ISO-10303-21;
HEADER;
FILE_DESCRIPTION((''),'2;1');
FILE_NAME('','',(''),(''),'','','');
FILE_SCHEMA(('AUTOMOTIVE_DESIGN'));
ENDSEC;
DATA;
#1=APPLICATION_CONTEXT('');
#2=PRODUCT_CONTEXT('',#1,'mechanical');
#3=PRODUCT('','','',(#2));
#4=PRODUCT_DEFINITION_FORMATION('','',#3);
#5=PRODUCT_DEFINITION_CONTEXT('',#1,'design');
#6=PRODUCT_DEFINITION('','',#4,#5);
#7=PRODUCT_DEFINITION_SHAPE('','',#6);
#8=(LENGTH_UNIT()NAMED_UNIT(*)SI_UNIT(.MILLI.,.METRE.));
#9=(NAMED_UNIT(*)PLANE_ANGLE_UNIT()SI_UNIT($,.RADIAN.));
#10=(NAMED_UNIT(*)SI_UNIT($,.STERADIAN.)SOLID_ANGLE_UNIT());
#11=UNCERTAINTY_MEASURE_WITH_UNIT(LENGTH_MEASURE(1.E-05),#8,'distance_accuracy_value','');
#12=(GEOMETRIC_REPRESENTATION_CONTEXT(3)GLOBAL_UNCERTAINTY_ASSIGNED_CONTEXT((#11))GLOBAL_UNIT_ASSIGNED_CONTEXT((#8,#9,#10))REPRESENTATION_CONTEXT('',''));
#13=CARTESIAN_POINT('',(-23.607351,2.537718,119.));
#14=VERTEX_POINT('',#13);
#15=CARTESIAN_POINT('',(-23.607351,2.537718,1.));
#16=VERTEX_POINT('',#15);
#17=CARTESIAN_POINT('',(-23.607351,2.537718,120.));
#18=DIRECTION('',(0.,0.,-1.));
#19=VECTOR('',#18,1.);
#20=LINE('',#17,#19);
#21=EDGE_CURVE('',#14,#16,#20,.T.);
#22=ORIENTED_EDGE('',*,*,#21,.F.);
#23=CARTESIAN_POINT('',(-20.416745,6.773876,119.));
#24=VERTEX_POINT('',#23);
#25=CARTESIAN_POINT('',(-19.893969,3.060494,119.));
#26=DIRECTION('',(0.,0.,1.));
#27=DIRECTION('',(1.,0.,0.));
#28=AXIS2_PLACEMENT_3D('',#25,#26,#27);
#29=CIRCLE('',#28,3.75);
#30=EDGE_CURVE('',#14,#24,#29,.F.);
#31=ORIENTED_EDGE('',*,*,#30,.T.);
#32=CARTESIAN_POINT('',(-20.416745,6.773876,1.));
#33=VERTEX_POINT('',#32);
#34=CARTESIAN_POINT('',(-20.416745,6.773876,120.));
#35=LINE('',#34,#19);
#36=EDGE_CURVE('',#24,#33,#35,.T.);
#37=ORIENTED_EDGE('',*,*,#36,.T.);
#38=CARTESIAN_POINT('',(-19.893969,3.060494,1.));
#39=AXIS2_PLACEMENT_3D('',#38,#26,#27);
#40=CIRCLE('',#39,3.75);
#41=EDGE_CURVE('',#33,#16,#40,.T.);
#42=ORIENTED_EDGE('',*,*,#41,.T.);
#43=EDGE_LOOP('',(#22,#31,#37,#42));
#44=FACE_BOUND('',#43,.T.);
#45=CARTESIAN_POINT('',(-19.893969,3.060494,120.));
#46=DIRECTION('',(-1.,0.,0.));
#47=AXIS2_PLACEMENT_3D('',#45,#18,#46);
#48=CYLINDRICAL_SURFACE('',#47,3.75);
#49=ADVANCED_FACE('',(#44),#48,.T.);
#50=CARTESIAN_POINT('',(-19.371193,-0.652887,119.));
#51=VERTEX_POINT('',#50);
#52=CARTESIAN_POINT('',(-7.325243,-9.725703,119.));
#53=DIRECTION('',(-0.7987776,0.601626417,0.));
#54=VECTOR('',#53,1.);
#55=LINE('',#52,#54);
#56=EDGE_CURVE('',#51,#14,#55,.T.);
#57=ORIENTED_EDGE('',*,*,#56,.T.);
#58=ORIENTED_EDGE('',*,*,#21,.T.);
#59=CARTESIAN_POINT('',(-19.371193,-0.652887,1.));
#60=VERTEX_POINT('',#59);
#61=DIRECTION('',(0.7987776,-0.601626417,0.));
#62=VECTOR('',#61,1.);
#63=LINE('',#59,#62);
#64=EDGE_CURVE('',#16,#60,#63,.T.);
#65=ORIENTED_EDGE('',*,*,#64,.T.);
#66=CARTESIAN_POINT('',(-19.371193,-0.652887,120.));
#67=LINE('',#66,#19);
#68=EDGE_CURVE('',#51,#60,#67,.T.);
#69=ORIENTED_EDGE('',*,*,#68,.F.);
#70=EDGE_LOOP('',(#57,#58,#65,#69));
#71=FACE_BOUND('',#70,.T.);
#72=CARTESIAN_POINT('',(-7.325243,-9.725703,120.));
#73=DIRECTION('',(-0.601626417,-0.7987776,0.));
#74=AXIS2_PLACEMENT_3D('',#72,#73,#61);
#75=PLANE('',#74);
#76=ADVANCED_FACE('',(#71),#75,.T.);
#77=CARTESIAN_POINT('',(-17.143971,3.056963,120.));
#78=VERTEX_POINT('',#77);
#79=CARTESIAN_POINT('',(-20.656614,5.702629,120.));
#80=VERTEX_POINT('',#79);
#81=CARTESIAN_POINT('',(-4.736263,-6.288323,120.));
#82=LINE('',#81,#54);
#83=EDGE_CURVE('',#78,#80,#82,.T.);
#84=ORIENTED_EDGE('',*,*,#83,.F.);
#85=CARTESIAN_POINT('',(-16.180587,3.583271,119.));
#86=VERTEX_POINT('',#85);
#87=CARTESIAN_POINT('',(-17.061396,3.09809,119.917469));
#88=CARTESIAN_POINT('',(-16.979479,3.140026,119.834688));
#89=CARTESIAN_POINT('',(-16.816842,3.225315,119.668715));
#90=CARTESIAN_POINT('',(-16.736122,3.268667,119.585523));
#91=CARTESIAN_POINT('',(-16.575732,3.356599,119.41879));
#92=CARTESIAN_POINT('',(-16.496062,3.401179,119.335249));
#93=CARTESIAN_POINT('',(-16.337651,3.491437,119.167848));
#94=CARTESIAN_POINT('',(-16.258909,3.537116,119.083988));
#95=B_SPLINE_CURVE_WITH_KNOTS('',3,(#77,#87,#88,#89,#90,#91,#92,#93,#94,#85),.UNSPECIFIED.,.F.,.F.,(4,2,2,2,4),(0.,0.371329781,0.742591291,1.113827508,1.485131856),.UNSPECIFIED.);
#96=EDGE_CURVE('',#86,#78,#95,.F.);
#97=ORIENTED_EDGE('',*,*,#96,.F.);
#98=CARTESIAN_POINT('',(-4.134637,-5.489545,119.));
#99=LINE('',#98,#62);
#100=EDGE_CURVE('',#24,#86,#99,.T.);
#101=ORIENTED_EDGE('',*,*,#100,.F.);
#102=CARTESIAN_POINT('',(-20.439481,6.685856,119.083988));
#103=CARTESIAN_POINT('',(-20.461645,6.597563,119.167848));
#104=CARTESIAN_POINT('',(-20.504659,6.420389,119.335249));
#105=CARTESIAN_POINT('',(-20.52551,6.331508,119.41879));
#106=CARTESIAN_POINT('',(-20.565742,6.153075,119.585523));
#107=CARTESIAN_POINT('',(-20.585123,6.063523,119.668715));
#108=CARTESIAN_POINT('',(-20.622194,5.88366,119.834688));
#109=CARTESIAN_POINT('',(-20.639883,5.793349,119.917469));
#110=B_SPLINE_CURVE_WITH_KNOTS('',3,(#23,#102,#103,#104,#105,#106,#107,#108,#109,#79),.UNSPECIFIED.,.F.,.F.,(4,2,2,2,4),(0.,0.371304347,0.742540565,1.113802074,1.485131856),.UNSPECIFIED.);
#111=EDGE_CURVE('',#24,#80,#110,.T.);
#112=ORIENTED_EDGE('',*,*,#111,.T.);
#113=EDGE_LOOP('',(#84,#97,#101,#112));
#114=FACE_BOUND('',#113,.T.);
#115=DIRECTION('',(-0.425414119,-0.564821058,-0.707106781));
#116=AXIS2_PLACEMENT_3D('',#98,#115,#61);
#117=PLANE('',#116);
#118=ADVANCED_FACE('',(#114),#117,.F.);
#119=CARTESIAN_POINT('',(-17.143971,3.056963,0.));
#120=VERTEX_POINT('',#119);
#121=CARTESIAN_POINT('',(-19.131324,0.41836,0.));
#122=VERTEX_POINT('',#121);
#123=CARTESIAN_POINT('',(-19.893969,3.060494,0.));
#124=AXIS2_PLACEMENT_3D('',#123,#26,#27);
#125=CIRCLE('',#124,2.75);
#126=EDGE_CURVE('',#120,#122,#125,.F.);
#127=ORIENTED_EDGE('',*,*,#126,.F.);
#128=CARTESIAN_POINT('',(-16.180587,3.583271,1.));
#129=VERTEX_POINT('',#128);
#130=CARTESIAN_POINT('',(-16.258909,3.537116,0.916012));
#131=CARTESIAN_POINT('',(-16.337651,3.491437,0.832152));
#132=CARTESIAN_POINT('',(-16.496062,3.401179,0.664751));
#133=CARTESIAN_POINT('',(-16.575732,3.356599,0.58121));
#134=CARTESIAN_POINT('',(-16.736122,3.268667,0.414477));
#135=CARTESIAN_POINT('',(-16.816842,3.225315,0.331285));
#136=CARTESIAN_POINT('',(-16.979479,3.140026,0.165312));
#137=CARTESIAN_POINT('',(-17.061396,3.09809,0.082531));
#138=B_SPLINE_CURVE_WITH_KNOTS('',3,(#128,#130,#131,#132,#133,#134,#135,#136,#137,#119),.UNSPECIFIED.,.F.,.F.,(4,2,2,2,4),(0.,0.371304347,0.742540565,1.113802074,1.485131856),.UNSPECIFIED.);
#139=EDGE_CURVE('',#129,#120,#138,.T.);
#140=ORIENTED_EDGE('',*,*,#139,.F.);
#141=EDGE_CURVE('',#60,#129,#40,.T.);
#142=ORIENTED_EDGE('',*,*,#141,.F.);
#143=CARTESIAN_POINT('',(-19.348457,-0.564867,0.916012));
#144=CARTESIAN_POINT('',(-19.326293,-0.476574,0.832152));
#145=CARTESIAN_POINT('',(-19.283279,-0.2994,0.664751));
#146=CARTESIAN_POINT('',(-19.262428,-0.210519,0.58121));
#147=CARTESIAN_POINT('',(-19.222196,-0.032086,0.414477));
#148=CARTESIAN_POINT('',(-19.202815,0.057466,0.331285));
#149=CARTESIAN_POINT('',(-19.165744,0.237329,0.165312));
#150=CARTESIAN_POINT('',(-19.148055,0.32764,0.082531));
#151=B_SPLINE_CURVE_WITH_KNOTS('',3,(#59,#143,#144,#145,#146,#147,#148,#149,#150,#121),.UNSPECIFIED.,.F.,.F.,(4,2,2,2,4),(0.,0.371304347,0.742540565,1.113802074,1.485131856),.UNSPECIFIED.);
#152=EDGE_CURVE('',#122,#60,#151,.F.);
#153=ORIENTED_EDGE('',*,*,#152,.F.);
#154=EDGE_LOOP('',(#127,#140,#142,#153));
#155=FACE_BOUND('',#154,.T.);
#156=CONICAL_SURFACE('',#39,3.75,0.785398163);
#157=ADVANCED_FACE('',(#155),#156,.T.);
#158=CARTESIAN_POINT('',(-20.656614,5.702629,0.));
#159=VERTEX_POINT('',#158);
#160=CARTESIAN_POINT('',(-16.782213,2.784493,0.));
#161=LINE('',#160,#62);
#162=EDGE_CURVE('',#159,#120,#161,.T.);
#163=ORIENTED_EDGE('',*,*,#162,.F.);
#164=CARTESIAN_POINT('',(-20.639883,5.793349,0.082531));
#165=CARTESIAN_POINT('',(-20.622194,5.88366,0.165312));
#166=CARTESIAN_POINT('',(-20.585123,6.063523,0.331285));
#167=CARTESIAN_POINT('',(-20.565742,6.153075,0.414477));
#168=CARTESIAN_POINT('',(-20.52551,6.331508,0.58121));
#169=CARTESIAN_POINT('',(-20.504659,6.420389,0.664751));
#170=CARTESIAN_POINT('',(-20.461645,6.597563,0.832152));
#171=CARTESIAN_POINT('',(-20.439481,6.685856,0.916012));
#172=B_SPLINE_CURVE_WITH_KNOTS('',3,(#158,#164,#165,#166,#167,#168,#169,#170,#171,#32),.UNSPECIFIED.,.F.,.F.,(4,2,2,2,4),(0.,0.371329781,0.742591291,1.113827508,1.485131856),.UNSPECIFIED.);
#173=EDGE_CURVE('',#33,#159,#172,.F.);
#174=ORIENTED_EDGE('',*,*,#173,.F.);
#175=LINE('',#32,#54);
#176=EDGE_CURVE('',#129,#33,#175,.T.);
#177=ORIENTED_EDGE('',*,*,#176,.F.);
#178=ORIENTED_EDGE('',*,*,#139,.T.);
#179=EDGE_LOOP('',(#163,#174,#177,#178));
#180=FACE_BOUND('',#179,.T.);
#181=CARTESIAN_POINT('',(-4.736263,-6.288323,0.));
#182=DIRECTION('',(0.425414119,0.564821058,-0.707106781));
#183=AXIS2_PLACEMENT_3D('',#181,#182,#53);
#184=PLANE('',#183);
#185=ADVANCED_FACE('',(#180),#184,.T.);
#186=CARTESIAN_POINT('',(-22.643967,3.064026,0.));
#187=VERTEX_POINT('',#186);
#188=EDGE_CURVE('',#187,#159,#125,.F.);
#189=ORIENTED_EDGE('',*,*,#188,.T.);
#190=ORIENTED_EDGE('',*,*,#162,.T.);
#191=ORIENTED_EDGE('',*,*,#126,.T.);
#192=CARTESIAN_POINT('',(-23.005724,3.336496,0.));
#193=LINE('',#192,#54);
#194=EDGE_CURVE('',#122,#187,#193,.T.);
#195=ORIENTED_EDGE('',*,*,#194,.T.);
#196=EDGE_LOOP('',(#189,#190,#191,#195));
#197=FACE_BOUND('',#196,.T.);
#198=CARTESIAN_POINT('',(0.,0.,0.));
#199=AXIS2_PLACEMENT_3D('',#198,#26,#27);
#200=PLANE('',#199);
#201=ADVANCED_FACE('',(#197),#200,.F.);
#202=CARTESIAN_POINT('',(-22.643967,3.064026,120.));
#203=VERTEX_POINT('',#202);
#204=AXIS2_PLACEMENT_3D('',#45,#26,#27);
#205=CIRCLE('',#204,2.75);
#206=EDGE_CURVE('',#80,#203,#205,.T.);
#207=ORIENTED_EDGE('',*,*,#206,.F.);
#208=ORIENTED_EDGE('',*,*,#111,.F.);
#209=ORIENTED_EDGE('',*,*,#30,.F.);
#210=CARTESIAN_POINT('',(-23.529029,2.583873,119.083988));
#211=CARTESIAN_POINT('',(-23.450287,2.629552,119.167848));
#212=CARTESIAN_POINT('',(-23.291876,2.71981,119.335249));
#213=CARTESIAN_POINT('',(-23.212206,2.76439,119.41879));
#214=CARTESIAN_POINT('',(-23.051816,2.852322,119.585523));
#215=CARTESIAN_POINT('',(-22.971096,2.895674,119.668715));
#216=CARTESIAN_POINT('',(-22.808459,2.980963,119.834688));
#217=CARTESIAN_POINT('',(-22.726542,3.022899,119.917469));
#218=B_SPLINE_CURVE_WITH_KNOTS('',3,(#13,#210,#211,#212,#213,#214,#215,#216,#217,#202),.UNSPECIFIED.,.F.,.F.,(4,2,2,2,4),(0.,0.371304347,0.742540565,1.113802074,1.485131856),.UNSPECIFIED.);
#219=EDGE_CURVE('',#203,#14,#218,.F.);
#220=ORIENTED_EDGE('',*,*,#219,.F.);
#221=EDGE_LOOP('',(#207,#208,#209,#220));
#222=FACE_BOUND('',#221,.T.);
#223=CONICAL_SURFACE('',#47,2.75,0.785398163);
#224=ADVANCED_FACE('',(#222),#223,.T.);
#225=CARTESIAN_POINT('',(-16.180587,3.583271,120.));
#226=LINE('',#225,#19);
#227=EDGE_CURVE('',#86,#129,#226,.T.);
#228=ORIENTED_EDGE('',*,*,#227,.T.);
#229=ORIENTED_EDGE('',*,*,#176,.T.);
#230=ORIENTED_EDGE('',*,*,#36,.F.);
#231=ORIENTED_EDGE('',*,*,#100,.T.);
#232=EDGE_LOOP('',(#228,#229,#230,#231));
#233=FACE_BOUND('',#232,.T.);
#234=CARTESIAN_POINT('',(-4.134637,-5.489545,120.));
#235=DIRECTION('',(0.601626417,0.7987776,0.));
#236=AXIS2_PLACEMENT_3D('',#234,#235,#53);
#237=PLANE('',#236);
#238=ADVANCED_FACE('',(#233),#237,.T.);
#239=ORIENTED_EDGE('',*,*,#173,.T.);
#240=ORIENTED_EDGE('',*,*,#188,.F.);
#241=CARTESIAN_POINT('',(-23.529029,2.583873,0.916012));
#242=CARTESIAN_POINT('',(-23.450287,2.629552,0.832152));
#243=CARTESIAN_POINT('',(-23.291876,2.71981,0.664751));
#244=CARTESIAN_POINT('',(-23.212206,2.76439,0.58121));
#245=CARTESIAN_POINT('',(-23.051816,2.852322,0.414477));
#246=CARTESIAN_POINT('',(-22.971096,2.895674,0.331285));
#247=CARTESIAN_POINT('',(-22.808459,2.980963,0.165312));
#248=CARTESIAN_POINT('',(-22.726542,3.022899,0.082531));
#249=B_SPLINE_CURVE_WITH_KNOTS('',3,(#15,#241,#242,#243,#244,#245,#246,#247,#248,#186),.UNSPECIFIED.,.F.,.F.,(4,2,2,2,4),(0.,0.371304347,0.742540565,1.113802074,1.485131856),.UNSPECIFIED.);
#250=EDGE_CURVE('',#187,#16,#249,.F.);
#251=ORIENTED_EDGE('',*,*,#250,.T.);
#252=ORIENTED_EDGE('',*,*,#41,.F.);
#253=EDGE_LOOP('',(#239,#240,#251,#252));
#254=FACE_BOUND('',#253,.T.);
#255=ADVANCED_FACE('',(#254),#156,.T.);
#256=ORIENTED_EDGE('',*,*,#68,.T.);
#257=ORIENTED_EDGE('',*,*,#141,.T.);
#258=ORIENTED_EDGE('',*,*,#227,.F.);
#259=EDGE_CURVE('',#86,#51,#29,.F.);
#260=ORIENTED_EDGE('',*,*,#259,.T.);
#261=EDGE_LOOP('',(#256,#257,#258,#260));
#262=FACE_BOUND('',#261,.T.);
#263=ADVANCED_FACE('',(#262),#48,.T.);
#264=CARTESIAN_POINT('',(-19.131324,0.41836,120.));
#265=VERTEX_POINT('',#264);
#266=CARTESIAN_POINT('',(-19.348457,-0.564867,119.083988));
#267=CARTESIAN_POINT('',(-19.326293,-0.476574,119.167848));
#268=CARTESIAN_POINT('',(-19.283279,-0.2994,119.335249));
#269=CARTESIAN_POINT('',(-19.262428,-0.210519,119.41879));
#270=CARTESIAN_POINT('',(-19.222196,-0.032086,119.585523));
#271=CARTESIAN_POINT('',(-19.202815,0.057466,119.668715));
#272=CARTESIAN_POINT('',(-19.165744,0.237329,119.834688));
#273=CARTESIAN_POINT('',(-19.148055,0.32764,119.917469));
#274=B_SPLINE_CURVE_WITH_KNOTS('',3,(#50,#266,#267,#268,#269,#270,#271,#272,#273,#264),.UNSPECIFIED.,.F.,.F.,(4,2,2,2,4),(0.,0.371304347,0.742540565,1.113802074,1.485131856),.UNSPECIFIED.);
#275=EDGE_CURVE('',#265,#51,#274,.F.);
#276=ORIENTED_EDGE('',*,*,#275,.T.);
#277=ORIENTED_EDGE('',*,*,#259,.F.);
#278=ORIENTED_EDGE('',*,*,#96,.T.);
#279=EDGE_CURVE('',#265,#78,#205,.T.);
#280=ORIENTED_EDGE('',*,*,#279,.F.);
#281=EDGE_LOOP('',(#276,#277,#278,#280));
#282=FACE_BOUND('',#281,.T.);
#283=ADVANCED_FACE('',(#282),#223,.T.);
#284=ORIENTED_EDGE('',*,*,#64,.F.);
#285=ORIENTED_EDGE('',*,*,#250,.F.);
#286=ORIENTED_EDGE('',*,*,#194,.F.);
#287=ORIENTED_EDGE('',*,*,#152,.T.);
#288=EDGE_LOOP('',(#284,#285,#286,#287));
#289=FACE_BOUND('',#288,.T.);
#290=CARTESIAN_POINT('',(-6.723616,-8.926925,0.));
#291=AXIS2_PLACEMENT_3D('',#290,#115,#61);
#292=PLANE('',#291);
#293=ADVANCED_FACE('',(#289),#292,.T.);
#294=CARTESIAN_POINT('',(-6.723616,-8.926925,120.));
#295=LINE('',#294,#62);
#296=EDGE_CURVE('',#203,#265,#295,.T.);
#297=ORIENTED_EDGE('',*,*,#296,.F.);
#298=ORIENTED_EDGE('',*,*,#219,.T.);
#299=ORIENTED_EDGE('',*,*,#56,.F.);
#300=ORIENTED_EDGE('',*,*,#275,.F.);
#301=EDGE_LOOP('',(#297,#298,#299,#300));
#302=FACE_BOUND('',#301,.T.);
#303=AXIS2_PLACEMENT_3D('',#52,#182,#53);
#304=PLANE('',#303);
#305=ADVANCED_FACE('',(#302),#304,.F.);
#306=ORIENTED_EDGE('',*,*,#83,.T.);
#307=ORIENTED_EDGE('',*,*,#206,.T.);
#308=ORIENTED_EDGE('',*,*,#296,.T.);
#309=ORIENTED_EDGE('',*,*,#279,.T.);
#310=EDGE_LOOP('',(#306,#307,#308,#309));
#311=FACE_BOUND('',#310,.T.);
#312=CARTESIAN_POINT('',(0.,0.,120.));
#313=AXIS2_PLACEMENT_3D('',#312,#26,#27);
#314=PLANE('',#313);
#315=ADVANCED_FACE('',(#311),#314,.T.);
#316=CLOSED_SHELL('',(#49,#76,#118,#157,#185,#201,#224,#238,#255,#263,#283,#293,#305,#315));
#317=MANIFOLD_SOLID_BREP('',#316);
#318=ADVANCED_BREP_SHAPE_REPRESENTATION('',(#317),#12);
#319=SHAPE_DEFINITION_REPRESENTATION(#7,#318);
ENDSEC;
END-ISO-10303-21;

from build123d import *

# Parameters (mm, degrees)
BOSS_EXTRUDE1_DEPTH = 120
END_SIZE            = 1


with BuildPart() as part:
    # Sketch1 → Boss-Extrude1 (new body)
    with BuildSketch(Plane.XY):
        with BuildLine():
            Line((-16.18058706286363, 3.583270500183823), (-20.41674499500726, 6.773876394671033))
            ThreePointArc((-20.41674499500726, 6.773876394671035), (-22.889384976175005, 5.316593545441291), (-23.607350889494484, 2.5377184625273967))
            Line((-23.607350889494484, 2.5377184625273967), (-19.371192957350857, -0.6528874319598208))
            ThreePointArc((-19.371192957350857, -0.6528874319598175), (-17.06351759251198, 0.6006072959958577), (-16.14396897617906, 3.0604944813556076))
            ThreePointArc((-16.14396897617906, 3.0604944813556085), (-16.153134699247452, 3.3225229388436817), (-16.180587062863637, 3.583270500183822))
        make_face()
    extrude(amount=BOSS_EXTRUDE1_DEPTH)

    # End
    end_edges = [part.edges().sort_by_distance(p)[0] for p in [
        (-22.889384976175005, 5.316593545441292, 120),
        (-21.48927192342267, 0.9424155152837879, 120),
        (-16.89855297618315, 0.8043954172700718, 120),
        (-16.898552976183115, 0.8043954172699284, 0),
        (-18.298666028935443, 5.1785734474274285, 120),
        (-21.48927192342267, 0.9424155152837879, 0),
        (-22.889384976175005, 5.316593545441292, 0),
        (-18.298666028935443, 5.1785734474274285, 0),
    ]]
    chamfer(end_edges, length=END_SIZE)


solid = part.part
